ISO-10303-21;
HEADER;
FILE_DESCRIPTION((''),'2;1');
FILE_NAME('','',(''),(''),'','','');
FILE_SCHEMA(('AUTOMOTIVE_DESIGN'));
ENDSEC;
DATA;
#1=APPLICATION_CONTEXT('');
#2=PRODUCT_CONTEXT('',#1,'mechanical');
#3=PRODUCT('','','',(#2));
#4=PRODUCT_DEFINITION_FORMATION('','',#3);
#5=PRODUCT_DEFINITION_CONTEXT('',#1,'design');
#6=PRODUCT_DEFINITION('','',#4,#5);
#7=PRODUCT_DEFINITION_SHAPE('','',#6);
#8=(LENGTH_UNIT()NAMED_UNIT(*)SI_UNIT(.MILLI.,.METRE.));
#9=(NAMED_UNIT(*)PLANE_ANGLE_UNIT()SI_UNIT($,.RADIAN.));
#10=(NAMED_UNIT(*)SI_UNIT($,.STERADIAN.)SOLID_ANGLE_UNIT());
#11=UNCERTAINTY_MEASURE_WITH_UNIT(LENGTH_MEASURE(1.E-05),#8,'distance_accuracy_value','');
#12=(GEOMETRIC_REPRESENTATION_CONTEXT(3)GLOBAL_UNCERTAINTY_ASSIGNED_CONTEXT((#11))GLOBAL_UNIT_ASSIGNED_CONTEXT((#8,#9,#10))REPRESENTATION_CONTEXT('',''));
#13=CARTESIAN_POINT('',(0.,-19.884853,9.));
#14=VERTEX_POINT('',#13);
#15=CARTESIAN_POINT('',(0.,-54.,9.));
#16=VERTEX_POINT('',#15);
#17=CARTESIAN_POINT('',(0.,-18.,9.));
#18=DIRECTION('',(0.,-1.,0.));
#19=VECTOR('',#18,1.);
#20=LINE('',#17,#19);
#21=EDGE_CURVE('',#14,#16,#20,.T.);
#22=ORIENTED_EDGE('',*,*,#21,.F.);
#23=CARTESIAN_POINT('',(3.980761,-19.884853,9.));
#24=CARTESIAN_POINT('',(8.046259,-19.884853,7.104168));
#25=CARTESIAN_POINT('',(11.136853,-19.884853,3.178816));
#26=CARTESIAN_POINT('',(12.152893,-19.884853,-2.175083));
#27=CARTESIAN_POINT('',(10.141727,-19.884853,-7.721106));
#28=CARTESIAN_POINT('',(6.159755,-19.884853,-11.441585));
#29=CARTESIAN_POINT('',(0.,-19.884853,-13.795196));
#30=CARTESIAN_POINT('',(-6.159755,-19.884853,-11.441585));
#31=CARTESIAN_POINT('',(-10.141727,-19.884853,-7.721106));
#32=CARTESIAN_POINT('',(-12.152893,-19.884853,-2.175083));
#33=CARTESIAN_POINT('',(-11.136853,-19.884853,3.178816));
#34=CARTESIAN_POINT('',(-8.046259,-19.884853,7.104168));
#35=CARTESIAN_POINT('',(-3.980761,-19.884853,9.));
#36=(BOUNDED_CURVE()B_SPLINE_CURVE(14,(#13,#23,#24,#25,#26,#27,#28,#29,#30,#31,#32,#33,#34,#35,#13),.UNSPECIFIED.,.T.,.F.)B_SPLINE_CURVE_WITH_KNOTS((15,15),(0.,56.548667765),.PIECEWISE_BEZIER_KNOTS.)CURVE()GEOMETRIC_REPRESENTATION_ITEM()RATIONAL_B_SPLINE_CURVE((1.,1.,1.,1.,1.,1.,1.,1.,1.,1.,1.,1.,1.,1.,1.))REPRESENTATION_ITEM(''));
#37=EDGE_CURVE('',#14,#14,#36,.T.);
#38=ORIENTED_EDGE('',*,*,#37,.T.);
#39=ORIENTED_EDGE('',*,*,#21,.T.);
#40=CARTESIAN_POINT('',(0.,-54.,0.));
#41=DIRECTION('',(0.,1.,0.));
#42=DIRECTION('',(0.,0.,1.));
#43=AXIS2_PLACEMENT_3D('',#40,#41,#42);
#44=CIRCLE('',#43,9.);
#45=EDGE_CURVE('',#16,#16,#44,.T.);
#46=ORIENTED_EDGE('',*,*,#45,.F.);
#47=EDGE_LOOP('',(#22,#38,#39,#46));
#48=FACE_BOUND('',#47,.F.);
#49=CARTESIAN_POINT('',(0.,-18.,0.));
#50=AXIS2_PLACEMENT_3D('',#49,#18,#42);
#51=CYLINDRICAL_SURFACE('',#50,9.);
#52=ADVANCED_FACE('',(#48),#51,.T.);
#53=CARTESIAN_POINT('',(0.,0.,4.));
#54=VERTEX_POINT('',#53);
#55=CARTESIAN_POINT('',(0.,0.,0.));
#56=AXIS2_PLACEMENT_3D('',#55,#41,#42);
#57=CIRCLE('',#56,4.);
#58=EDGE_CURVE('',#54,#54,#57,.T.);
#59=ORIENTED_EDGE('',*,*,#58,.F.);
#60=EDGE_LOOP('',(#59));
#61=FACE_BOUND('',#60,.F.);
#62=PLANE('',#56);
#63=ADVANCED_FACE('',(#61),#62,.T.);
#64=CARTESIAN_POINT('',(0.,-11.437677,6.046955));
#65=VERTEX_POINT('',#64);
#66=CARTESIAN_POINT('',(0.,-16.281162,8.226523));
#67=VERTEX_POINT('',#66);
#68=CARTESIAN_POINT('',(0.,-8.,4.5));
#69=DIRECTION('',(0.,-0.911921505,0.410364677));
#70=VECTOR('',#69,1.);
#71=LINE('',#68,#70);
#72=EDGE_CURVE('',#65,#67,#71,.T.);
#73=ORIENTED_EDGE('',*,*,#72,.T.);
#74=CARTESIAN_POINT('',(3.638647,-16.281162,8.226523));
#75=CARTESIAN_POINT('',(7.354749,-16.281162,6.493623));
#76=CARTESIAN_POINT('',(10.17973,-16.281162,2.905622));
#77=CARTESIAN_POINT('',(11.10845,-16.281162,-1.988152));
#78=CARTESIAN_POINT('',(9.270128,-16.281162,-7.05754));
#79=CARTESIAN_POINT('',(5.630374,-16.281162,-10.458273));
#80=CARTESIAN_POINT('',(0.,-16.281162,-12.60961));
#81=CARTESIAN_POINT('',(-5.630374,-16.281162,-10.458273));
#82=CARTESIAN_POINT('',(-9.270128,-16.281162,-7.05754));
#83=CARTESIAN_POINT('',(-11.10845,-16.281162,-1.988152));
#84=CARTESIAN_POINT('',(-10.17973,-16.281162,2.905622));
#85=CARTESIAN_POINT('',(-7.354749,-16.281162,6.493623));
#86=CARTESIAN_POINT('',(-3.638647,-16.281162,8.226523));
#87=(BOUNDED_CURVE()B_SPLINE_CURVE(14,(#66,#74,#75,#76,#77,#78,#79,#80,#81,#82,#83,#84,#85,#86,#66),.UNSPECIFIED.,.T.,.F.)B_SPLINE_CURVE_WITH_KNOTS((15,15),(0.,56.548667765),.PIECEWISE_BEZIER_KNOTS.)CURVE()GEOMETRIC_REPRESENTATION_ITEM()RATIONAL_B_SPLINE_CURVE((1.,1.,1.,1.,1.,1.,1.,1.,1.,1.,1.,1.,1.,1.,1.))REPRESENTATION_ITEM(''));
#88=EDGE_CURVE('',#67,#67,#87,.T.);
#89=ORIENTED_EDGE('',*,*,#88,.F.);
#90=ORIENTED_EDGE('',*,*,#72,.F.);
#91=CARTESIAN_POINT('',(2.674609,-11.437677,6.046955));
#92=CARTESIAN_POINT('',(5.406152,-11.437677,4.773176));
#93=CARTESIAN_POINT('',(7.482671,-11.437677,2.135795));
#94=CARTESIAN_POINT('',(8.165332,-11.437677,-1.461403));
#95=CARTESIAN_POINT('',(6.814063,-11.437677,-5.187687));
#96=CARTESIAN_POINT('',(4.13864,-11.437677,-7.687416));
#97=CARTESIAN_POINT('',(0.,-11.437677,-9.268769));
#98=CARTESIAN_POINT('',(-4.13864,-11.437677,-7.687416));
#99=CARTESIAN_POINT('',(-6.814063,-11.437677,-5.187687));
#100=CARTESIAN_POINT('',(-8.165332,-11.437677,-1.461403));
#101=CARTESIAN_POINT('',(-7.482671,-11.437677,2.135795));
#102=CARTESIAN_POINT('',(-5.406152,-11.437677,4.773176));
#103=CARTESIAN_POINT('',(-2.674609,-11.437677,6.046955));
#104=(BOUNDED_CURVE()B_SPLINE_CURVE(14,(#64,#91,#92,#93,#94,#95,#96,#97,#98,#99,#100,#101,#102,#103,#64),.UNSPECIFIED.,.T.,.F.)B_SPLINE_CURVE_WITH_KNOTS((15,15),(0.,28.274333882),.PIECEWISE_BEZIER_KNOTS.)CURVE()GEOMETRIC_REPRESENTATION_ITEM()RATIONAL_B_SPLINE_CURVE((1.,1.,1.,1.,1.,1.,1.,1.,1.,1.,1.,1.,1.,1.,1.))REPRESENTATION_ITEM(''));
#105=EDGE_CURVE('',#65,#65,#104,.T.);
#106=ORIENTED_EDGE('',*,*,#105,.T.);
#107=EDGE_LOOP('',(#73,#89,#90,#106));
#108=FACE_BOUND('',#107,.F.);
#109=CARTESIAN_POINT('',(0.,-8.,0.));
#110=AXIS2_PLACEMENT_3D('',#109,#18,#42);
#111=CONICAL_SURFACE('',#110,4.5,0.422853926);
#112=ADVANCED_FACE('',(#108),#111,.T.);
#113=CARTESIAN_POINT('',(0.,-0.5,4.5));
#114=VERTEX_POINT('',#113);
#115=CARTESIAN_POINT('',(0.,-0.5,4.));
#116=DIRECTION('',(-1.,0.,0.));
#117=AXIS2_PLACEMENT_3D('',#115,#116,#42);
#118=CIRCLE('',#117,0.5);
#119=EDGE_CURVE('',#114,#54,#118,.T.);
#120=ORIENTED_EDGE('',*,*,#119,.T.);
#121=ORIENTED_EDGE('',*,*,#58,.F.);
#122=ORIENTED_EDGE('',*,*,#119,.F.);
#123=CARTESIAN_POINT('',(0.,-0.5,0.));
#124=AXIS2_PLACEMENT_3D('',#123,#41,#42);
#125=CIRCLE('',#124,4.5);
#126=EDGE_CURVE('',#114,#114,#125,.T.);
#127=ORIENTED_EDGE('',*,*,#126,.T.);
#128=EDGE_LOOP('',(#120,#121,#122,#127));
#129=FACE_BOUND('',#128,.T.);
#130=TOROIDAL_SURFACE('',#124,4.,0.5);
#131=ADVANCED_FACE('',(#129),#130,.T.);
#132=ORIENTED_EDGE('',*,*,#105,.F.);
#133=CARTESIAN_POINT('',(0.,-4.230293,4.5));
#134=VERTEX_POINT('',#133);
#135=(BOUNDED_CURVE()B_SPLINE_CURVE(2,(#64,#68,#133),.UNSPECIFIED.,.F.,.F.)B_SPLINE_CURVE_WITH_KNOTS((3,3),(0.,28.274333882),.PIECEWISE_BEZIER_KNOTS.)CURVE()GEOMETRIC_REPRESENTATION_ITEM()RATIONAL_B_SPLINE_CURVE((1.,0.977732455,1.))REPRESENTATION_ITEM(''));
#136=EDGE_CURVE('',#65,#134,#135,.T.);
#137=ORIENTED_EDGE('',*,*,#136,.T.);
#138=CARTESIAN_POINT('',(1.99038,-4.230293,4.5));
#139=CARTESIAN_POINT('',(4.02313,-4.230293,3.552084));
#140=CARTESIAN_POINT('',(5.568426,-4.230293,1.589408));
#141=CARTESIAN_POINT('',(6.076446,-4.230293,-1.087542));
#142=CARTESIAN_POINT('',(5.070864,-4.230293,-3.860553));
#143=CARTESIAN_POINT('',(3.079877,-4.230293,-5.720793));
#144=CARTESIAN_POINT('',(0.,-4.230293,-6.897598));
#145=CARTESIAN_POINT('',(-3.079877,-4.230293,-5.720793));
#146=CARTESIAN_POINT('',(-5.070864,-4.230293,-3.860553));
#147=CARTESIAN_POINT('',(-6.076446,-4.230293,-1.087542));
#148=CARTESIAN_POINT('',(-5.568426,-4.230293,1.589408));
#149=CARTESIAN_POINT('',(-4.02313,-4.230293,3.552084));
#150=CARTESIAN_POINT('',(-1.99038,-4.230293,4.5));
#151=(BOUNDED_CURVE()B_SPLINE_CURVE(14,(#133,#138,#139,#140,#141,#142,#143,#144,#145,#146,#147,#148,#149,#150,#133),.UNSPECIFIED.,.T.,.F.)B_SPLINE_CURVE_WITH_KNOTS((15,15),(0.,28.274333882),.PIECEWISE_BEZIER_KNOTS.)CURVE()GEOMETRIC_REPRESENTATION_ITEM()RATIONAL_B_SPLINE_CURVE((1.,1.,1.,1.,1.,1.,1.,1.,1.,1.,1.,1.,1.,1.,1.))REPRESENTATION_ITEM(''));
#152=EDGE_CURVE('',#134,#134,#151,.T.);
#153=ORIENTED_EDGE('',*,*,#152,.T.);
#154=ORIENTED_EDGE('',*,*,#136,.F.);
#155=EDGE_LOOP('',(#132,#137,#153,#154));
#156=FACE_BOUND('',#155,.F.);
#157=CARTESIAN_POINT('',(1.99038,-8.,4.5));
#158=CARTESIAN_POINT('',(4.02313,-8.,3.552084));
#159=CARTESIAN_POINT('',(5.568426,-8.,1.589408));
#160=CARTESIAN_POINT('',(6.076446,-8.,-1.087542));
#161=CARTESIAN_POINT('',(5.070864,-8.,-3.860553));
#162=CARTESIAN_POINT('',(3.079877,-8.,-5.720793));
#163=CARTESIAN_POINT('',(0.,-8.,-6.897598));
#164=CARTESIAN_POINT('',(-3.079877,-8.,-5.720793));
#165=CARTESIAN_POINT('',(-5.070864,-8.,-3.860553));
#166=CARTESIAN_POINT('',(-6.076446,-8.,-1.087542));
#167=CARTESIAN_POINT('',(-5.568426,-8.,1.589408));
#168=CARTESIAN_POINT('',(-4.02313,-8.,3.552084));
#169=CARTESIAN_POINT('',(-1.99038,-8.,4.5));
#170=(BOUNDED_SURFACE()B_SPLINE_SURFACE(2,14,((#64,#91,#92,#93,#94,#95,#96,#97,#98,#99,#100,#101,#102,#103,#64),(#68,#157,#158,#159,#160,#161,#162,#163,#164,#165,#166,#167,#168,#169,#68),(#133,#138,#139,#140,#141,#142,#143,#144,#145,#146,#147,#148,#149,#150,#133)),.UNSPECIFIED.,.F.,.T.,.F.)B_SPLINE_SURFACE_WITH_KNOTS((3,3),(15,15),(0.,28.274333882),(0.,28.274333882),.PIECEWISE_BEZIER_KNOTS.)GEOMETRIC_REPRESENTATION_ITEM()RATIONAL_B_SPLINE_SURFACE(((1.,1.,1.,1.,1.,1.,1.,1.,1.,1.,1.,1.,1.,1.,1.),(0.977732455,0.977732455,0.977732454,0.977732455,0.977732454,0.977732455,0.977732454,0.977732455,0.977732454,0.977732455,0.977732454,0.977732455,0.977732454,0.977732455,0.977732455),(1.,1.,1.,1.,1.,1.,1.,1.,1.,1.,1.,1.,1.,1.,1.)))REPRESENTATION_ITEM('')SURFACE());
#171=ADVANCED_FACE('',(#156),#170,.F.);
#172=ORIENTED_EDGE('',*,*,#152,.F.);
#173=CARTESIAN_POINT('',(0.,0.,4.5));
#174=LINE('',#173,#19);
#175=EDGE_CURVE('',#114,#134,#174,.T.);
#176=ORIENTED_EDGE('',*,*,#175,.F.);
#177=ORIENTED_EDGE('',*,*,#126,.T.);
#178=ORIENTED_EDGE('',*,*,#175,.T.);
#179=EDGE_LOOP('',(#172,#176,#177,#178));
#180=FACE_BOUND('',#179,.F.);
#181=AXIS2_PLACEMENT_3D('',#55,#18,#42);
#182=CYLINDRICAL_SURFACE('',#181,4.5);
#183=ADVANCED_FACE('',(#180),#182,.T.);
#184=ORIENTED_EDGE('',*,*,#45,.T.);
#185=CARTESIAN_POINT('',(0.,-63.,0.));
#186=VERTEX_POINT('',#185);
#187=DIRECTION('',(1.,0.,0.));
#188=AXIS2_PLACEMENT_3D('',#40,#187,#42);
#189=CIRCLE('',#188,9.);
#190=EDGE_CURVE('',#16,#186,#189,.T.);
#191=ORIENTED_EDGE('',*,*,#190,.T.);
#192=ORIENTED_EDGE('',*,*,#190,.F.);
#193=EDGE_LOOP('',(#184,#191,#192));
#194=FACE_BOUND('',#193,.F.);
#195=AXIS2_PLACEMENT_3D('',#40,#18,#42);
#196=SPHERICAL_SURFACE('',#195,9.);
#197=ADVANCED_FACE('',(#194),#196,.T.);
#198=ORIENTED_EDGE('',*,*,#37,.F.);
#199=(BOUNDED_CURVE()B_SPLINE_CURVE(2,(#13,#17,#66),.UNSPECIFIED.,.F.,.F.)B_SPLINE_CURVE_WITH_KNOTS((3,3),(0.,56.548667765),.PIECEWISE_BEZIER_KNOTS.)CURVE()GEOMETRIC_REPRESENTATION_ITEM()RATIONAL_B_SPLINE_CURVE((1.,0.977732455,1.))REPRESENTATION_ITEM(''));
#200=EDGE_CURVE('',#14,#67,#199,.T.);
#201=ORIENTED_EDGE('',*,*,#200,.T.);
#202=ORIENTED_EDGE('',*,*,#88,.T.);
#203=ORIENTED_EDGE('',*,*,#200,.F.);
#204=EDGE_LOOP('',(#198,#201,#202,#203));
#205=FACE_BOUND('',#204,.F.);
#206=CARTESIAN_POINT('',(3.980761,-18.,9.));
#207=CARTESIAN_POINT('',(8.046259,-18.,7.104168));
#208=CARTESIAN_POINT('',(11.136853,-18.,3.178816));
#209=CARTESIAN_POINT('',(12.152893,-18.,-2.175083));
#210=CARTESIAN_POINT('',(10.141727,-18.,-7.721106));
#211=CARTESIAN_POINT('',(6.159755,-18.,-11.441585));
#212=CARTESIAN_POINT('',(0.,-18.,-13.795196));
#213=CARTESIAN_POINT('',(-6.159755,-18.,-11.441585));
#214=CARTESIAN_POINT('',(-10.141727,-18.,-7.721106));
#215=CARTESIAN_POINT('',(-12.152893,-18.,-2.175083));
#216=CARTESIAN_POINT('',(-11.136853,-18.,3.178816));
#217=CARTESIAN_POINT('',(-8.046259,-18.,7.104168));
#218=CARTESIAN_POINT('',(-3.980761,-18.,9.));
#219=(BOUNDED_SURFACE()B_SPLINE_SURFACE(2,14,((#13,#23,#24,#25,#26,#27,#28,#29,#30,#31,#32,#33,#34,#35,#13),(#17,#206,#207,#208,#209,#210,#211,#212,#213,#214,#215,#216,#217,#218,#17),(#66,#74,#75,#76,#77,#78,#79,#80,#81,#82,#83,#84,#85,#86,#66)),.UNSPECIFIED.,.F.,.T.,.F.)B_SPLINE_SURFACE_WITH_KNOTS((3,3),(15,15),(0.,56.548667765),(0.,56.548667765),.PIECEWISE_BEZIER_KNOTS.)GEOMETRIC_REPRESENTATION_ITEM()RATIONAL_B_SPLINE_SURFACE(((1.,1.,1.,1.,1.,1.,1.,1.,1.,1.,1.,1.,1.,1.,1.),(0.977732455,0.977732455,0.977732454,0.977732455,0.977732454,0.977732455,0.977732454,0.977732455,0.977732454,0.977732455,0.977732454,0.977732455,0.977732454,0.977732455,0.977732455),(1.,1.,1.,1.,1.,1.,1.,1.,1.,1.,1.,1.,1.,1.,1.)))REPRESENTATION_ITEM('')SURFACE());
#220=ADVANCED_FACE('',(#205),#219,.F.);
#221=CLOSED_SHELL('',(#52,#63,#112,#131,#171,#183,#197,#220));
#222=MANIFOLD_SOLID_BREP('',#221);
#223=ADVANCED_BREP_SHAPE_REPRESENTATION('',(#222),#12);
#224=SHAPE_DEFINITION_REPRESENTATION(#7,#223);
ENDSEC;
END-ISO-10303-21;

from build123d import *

# Parameters (mm, degrees)
F2_R = 9
F3_R = 8.781681
F4_R = 17.563363
F5_R = 0.5


with BuildPart() as f1:
    # F0 (on Right) → F1 (revolve)
    with BuildSketch(Plane.YZ):
        Polygon((-63, 0), (0, 0), (0, 4.5), (-8, 4.5), (-18, 9), (-63, 9), align=None)
    revolve(axis=Axis((0, -31.5, 0), (0, 1, 0)))

    # F2
    f2_edges = [f1.edges().sort_by_distance(p)[0] for p in [
        (0, -63, -9),
    ]]
    fillet(f2_edges, radius=F2_R)

    # F3
    f3_edges = [f1.edges().sort_by_distance(p)[0] for p in [
        (0, -18, -9),
    ]]
    fillet(f3_edges, radius=F3_R)

    # F4
    f4_edges = [f1.edges().sort_by_distance(p)[0] for p in [
        (0, -12.140581, 6.363261),
        (0, -16.281162, -8.226521),
        (0, -8, -4.5),
    ]]
    fillet(f4_edges, radius=F4_R)

    # F5
    f5_edges = [f1.edges().sort_by_distance(p)[0] for p in [
        (0, 0, -4.5),
    ]]
    fillet(f5_edges, radius=F5_R)


solid = f1.part
